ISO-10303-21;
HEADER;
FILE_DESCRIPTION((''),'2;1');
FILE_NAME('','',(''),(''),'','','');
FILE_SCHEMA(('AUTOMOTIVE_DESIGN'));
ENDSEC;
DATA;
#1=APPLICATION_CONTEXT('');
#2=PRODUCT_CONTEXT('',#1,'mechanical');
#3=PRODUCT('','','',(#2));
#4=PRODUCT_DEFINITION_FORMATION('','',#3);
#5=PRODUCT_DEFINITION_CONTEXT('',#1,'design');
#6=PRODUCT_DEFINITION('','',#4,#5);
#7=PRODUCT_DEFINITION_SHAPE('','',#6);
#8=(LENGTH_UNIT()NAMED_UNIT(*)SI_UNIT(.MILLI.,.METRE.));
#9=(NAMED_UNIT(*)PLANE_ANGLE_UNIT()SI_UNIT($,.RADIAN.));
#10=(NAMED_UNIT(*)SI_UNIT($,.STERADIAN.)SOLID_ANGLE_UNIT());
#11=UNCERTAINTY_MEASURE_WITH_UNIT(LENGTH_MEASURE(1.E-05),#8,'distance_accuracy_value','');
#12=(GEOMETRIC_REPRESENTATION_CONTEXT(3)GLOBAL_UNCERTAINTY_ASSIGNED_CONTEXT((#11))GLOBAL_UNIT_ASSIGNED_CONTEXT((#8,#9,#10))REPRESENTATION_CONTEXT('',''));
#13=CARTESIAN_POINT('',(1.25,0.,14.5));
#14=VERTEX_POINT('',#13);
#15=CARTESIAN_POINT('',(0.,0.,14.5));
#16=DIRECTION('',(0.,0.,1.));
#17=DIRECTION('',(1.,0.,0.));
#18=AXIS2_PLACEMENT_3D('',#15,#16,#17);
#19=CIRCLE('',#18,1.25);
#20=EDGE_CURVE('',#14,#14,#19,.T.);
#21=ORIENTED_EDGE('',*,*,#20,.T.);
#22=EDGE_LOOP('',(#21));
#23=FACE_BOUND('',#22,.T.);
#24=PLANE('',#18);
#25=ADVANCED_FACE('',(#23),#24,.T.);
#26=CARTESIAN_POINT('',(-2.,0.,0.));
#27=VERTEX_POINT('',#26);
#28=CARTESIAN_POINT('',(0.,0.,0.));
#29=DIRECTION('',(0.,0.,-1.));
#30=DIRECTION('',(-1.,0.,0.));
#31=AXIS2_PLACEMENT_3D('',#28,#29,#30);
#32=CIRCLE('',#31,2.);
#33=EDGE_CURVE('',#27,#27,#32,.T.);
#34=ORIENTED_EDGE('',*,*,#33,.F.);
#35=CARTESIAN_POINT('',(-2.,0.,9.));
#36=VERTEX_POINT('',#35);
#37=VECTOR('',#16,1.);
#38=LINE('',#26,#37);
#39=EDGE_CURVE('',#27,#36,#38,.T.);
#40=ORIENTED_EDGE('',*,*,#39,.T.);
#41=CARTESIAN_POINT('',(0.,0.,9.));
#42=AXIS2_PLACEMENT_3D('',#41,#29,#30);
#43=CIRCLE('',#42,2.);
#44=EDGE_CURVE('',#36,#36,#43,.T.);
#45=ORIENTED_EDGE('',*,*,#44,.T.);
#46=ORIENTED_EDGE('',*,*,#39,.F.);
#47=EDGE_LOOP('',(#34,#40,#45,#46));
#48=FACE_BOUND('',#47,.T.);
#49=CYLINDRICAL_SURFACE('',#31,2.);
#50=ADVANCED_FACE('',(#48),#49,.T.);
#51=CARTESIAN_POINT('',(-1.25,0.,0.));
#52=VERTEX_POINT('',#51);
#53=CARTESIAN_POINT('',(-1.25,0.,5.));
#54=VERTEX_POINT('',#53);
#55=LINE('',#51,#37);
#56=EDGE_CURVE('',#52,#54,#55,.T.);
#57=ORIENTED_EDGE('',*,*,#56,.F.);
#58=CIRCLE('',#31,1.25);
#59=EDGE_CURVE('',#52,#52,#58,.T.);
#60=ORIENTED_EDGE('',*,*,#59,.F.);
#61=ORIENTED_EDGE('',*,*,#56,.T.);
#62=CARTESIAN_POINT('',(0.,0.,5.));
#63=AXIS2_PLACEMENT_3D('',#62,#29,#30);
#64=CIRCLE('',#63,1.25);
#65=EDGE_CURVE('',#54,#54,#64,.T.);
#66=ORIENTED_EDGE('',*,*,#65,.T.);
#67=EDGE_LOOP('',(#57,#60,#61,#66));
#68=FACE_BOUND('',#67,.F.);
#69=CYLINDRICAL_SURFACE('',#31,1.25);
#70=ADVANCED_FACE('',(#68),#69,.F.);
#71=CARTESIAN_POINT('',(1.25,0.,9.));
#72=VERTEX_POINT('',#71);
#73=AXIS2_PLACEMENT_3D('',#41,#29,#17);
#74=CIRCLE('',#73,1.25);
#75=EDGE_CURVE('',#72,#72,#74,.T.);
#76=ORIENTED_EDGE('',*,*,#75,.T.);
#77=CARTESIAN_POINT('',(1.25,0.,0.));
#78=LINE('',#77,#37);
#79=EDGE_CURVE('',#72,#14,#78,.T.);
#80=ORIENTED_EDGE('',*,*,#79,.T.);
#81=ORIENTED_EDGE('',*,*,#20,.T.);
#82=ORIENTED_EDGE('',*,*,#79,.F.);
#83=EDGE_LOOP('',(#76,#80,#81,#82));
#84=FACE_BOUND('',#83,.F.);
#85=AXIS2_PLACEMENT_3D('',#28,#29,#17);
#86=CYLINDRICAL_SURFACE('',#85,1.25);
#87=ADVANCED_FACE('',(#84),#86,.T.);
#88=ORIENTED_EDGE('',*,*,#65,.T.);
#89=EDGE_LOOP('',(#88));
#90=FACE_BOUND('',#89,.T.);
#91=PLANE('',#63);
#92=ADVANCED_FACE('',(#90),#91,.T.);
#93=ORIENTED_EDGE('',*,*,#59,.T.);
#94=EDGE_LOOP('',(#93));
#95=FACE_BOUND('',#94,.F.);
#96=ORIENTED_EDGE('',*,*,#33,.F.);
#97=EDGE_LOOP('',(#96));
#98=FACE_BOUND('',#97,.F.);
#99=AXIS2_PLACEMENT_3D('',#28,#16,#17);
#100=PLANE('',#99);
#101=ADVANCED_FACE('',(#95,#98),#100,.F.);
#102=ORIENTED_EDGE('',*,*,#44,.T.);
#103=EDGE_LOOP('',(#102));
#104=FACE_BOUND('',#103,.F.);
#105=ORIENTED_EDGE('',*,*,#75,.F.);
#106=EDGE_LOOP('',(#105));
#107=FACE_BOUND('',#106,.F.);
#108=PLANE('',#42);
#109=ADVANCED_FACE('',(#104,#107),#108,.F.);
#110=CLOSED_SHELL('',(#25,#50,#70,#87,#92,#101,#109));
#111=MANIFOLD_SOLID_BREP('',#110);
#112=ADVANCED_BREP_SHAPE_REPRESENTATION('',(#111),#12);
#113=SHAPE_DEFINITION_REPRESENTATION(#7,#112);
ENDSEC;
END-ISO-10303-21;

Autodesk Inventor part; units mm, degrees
ref_plane "YZ Plane" through (0, 0, 0) normal (1, 0, 0) x (0, 1, 0)
ref_plane "XZ Plane" through (0, 0, 0) normal (0, 1, 0) x (-1, 0, 0)
ref_plane "XY Plane" through (0, 0, 0) normal (0, 0, 1) x (1, 0, 0)
sketch "Sketch1" plane through (0, 0, 0) normal (0, 0, 1) x (1, 0, 0)
  circle A0 centre (0, 0) radius 1.25
  dimension "d0" = 2.5
extrude "Extrusion1" add sketch "Sketch1" along normal blind 14.5
sketch "Sketch3" plane through (0, 0, 0) normal (0, 0, -1) x (-1, 0, 0)
  circle A0 centre (0, 0) radius 2
  dimension "d6" = 4
extrude "Extrusion3" add sketch "Sketch3" against normal blind 9
sketch "Sketch4" plane through (0, 0, 0) normal (0, 0, -1) x (-1, 0, 0)
  circle A0 centre (0, 0) radius 1.25 projected
  circle A1 centre (0, 0) radius 1.25
extrude "Extrusion4" cut sketch "Sketch4" against normal blind 5
properties part number "cannula_with_hole_v01"
